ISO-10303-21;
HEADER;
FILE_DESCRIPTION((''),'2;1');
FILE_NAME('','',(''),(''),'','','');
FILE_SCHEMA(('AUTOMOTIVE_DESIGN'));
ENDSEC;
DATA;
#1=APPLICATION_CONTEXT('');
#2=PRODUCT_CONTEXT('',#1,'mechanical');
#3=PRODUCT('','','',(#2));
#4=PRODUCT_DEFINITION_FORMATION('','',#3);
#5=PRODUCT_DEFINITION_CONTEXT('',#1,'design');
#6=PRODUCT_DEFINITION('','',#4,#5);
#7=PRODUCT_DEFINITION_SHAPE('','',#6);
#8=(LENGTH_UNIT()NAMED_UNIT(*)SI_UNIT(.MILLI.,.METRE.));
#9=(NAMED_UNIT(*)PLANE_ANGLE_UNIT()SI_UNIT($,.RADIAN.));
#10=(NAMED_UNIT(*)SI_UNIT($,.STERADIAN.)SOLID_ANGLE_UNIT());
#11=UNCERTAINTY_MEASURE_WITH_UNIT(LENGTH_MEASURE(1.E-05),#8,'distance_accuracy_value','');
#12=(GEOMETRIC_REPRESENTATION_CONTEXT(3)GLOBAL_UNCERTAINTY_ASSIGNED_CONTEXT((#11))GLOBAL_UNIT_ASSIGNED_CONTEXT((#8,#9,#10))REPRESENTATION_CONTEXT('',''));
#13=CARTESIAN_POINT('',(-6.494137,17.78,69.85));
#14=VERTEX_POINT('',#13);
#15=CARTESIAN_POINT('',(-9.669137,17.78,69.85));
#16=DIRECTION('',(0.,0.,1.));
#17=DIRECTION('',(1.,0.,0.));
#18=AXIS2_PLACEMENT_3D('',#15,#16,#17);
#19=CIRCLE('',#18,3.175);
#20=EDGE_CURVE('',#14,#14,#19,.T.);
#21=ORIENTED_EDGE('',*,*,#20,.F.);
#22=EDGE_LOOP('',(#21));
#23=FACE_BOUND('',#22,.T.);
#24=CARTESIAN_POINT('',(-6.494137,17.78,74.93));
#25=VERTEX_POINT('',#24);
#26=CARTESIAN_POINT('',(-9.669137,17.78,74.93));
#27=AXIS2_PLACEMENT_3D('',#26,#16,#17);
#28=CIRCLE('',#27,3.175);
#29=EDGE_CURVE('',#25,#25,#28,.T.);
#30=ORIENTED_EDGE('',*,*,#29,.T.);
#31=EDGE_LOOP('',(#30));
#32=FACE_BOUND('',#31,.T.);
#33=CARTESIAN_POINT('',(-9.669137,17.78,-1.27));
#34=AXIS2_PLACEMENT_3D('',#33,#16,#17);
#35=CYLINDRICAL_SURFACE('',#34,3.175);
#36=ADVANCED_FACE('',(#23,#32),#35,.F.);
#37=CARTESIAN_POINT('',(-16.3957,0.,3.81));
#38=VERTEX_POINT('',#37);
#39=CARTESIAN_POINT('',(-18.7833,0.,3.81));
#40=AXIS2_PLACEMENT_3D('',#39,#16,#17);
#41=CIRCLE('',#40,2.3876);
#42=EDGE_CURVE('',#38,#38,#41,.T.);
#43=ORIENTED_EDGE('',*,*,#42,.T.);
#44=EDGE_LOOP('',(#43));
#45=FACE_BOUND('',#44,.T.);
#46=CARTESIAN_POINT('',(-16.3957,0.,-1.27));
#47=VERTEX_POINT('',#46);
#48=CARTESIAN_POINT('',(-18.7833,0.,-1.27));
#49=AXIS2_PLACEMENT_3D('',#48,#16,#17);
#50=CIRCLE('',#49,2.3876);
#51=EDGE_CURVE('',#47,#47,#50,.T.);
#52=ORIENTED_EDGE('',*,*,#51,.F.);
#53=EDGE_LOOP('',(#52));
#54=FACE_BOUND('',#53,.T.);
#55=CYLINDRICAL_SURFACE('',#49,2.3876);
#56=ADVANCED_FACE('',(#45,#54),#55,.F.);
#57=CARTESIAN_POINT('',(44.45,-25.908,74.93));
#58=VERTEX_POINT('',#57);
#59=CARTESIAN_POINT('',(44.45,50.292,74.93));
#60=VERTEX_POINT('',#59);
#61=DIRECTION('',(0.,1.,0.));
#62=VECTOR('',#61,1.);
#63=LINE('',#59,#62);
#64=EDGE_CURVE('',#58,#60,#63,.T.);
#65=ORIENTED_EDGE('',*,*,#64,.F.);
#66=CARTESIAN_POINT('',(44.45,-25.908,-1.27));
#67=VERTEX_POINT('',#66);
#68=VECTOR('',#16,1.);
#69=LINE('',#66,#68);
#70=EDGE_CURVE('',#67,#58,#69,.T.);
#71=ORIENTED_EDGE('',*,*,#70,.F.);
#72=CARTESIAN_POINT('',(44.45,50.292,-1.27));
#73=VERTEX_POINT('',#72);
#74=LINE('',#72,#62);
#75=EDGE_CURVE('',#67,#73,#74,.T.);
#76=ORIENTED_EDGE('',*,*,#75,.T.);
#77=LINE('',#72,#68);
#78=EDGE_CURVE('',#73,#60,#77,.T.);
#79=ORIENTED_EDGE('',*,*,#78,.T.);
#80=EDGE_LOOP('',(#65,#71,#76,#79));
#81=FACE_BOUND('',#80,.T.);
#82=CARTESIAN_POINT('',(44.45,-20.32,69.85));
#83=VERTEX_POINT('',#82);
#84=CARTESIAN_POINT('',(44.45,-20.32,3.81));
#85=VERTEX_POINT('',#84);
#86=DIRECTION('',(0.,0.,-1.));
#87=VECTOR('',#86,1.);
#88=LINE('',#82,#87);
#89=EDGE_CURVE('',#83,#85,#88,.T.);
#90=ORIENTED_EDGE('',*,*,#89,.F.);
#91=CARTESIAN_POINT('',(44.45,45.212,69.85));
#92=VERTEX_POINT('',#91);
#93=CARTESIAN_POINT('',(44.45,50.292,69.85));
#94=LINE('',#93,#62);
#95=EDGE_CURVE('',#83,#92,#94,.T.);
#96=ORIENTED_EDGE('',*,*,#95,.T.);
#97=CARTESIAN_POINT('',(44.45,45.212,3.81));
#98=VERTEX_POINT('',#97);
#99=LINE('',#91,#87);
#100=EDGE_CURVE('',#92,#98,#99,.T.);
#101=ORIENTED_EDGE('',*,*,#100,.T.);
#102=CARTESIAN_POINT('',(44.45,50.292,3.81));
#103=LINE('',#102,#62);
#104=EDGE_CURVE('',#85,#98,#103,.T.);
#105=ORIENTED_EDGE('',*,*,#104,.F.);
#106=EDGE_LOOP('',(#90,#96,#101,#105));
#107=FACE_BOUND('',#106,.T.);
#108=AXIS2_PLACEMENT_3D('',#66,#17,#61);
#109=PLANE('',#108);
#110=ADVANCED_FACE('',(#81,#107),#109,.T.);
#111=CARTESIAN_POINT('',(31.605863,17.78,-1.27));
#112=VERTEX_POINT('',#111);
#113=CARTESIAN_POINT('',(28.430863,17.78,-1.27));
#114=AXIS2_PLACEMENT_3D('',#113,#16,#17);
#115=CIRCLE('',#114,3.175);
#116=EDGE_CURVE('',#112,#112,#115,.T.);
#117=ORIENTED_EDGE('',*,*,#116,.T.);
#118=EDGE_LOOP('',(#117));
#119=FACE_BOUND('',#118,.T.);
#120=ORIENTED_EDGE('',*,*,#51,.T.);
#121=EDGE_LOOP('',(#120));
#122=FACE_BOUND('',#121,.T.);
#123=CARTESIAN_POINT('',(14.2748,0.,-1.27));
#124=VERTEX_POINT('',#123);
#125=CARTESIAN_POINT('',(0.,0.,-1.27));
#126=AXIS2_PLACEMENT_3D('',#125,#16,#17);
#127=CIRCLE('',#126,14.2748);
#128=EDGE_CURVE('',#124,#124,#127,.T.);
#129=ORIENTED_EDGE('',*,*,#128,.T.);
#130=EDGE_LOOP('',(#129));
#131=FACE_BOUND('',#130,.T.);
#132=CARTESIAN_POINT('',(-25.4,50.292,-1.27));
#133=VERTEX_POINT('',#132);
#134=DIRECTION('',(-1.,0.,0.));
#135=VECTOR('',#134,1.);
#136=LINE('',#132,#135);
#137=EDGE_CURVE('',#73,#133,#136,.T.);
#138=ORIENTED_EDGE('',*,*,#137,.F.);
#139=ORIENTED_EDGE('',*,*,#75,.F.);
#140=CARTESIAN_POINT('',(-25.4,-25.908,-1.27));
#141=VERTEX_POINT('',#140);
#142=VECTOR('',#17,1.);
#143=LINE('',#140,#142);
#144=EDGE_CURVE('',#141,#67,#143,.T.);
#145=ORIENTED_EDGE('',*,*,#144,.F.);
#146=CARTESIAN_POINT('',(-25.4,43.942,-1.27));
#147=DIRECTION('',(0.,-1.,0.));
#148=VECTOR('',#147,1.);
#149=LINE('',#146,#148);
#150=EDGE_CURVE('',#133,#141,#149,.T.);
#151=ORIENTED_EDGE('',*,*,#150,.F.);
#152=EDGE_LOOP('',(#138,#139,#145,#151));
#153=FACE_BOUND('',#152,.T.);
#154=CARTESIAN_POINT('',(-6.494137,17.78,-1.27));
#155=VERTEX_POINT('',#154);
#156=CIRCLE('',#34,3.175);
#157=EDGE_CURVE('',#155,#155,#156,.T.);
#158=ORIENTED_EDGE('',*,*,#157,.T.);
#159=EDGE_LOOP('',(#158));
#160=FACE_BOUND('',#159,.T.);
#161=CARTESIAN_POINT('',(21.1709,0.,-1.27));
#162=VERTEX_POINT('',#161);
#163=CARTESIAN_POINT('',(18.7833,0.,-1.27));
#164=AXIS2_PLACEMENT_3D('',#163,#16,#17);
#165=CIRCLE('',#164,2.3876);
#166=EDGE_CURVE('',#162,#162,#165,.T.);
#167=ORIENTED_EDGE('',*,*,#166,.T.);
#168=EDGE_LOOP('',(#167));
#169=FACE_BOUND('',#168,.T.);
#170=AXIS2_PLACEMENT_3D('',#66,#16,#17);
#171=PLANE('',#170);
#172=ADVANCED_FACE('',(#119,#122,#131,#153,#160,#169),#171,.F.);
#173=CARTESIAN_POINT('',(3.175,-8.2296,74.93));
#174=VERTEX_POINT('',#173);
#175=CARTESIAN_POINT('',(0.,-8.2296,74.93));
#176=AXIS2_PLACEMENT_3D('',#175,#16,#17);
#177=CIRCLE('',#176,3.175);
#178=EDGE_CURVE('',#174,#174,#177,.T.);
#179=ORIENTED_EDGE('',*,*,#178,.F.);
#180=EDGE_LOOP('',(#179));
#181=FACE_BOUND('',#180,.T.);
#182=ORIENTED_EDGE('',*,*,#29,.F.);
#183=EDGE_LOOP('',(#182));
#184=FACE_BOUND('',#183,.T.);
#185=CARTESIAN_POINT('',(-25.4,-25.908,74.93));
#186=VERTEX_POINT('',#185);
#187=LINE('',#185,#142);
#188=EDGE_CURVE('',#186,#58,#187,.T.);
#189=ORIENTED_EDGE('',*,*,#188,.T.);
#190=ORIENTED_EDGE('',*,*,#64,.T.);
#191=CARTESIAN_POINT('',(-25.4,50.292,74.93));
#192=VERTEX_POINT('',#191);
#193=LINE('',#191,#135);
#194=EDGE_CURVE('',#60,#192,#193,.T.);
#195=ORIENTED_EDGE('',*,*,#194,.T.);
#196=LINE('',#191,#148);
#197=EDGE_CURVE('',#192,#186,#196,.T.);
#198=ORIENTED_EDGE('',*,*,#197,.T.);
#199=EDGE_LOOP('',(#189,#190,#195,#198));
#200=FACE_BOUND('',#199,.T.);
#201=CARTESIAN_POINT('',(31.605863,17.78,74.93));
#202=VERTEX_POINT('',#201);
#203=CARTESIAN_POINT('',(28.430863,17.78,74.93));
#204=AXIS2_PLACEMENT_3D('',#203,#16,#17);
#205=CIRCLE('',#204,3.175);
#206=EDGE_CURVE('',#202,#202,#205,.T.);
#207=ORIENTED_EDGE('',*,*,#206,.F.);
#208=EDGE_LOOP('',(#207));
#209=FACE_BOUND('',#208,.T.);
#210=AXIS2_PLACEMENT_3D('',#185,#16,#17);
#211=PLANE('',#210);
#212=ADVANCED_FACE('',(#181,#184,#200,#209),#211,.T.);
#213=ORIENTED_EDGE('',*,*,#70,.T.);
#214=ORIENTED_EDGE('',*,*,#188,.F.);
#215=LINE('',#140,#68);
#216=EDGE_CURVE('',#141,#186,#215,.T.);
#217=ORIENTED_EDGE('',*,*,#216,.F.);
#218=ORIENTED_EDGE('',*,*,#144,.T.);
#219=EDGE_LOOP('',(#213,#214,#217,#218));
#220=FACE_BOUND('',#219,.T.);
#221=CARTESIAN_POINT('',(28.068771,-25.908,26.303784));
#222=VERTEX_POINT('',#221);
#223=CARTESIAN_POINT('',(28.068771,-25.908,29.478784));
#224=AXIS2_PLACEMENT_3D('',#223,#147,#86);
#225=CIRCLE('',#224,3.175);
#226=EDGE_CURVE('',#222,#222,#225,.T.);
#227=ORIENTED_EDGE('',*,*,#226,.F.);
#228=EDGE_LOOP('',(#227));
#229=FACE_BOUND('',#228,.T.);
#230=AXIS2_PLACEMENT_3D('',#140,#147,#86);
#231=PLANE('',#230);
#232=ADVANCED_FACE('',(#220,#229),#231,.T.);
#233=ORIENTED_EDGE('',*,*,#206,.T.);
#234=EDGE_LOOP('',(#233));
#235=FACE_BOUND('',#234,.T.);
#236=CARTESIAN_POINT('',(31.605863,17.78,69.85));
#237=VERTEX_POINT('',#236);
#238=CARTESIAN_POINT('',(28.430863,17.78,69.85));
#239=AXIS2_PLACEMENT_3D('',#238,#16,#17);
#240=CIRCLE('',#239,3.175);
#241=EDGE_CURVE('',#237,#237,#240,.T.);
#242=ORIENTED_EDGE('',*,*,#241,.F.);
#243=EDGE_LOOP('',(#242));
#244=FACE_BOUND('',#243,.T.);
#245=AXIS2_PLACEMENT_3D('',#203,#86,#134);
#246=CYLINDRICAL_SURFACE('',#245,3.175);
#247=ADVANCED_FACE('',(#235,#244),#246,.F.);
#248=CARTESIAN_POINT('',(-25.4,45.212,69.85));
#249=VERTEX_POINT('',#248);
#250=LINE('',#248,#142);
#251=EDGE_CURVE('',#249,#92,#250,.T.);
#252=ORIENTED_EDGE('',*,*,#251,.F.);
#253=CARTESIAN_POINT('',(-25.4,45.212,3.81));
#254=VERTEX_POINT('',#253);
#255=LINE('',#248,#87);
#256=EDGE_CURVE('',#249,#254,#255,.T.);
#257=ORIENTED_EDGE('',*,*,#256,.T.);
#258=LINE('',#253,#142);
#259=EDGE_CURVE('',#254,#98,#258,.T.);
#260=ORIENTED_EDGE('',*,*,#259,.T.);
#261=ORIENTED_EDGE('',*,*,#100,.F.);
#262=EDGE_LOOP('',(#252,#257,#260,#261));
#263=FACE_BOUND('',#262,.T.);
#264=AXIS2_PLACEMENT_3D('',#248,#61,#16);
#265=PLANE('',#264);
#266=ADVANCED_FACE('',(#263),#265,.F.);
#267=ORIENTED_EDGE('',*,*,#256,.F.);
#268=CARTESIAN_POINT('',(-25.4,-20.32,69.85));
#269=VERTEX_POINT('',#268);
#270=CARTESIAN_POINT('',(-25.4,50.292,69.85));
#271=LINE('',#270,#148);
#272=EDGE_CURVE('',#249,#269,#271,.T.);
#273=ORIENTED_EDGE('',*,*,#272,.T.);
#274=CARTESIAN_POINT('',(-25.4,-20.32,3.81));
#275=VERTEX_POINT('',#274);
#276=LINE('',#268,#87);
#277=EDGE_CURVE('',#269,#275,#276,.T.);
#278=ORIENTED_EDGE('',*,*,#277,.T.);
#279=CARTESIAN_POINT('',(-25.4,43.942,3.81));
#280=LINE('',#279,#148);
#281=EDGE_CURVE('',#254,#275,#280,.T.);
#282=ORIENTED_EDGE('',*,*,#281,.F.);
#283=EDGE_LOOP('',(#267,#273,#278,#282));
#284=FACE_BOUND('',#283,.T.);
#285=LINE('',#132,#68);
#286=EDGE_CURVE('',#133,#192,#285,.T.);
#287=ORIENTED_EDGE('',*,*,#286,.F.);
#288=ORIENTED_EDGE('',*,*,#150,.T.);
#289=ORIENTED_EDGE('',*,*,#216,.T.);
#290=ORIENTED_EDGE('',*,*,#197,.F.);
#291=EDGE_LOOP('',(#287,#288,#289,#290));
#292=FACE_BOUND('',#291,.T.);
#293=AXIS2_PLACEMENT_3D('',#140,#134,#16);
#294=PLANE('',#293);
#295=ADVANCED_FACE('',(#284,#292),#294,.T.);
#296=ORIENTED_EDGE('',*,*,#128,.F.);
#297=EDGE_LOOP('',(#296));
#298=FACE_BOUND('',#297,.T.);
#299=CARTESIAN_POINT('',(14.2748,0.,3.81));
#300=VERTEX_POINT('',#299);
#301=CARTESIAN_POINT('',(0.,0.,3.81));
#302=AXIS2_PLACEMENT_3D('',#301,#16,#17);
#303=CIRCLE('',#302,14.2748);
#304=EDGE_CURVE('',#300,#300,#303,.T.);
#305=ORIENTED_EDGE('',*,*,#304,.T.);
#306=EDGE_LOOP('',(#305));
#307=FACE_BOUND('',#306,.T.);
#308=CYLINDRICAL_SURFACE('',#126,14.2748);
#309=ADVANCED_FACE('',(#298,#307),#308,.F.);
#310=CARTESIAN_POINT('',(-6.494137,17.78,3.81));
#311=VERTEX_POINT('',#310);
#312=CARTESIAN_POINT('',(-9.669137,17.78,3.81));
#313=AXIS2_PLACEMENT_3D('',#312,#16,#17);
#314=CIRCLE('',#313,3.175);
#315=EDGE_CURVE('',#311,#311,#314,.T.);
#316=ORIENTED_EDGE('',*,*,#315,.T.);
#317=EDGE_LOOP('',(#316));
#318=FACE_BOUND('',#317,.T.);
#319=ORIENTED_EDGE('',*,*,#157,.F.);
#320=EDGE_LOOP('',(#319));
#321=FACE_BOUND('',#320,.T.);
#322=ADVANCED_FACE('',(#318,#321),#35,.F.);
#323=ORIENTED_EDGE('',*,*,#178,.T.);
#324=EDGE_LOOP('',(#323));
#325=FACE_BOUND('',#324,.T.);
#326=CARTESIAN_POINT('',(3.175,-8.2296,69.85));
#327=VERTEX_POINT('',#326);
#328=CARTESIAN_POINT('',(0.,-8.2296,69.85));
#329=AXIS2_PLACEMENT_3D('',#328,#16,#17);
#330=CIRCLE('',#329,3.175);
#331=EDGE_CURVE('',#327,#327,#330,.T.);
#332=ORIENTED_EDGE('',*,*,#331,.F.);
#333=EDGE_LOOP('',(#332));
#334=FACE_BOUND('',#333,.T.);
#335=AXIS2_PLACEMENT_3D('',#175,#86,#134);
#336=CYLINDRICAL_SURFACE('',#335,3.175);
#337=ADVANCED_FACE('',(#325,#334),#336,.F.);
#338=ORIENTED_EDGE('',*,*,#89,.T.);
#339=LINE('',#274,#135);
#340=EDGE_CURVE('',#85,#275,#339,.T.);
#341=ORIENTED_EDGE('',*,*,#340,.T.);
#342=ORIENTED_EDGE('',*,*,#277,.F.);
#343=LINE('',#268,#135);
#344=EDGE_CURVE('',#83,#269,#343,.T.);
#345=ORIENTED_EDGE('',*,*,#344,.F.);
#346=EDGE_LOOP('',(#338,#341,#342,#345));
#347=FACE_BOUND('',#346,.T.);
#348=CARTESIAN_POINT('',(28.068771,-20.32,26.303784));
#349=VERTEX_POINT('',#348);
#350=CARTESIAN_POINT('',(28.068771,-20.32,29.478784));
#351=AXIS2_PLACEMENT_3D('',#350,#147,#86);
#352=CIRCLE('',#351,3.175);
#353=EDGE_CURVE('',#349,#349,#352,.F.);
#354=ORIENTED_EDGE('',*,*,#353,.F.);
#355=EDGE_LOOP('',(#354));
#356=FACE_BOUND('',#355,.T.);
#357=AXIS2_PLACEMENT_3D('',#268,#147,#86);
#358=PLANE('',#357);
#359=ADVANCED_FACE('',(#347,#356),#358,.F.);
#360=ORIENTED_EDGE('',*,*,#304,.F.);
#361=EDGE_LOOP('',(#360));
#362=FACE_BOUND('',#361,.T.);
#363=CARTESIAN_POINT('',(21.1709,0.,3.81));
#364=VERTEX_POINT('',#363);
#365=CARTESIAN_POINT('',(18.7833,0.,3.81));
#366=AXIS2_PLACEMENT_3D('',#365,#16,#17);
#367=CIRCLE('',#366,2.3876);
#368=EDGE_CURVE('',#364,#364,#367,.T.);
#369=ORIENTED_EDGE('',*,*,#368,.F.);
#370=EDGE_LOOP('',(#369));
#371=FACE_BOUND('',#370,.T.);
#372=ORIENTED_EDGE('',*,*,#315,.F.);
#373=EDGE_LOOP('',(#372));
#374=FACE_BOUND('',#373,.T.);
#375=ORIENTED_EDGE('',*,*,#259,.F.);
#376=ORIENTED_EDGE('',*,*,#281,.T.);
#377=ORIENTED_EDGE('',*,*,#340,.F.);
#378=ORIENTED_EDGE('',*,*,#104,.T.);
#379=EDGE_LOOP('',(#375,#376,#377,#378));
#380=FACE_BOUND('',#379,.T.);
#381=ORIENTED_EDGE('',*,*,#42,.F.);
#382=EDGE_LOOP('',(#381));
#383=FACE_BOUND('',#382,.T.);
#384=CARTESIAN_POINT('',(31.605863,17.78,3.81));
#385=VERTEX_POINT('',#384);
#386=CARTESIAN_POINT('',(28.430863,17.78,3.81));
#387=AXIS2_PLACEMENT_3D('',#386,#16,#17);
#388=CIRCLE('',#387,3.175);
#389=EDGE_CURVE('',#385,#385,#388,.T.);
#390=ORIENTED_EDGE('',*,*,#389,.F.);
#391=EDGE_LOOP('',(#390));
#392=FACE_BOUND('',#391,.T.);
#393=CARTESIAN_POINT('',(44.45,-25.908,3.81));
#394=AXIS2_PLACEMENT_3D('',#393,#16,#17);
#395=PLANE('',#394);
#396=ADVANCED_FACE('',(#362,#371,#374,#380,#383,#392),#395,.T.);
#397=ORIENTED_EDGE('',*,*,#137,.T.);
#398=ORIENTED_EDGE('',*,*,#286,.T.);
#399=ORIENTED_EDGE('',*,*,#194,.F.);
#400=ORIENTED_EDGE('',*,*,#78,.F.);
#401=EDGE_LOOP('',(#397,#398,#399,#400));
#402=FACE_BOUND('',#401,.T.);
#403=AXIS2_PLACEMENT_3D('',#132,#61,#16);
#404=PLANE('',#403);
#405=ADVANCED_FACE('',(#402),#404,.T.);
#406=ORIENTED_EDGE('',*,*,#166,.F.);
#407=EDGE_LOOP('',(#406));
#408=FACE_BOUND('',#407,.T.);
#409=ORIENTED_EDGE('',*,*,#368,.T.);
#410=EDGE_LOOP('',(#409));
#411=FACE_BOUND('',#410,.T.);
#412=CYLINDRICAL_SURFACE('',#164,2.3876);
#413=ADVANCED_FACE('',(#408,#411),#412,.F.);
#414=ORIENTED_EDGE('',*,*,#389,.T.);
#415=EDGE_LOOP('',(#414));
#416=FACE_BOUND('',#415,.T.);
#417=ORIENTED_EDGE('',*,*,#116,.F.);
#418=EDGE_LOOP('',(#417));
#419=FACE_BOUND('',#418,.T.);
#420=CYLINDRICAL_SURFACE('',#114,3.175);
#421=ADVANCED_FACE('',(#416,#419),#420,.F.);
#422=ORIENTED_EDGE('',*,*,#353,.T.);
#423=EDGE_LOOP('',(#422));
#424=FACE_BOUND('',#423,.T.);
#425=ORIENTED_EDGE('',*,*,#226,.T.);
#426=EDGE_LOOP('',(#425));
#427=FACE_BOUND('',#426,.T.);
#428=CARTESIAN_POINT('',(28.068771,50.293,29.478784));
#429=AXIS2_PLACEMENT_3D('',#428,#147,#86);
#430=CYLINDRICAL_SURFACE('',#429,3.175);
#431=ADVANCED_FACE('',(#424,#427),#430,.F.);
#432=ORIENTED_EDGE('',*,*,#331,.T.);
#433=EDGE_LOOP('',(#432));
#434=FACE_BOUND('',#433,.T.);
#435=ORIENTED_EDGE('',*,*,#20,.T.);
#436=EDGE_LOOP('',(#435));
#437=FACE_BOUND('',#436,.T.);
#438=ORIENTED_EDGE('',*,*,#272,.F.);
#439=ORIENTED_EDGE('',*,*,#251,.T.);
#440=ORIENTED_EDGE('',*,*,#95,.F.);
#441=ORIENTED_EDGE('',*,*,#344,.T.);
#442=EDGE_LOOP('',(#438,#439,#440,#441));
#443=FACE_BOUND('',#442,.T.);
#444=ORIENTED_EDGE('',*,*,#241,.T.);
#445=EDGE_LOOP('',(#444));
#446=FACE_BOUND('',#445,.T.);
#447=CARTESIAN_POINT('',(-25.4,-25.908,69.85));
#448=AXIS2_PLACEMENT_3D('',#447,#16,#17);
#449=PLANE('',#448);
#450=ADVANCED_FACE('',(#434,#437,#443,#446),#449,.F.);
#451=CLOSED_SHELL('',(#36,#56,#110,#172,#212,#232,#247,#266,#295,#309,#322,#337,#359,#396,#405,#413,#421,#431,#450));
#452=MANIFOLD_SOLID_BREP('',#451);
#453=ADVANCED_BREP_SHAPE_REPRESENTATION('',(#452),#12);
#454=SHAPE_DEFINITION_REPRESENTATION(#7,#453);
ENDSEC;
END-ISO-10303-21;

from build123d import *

# Parameters (mm, degrees)
BOSS_EXTRUDE1_DEPTH      = 3.81
BOSS_EXTRUDE1_DEPTH_BACK = 1.27
SKETCH1_R                = 14.2748
SKETCH1_R_2              = 2.3876
SKETCH1_R_3              = 3.175
SKETCH2_W                = 69.85
SKETCH2_H                = 5.08
BOSS_EXTRUDE2_DEPTH      = 66.04
SKETCH3_W                = 69.85
SKETCH3_H                = 5.588
BOSS_EXTRUDE3_DEPTH      = 66.04
SKETCH4_W                = 69.85
SKETCH4_H                = 76.2
SKETCH4_R                = 3.175
BOSS_EXTRUDE4_DEPTH      = 5.08
CUT_EXTRUDE1_REACH       = 117.744
SKETCH6_R                = 3.174999999
SKETCH8_R                = 3.175
CUT_EXTRUDE2_DEPTH       = 102.545692986


with BuildPart() as part:
    # Sketch1 → Boss-Extrude1 (new, two sides: drawn at the far end of the back side and taken through both)
    with BuildSketch(Plane.XY.offset(-BOSS_EXTRUDE1_DEPTH_BACK)):
        Polygon((-25.4, 43.942), (-25.4, 50.292), (44.45, 50.292), (44.45, 24.892), (44.45, -25.908), (-25.4, -25.908), align=None)
        Circle(SKETCH1_R, mode=Mode.SUBTRACT)
        with Locations((18.7833, 0)):
            Circle(SKETCH1_R_2, mode=Mode.SUBTRACT)
        with Locations((-18.7833, 0)):
            Circle(SKETCH1_R_2, mode=Mode.SUBTRACT)
        with Locations((28.430863033, 17.78)):
            Circle(SKETCH1_R_3, mode=Mode.SUBTRACT)
    extrude(amount=BOSS_EXTRUDE1_DEPTH + BOSS_EXTRUDE1_DEPTH_BACK)

    # Sketch2 → Boss-Extrude2 (add)
    with BuildSketch(Plane.XY.offset(3.81)):
        with Locations((9.525, 47.752)):
            Rectangle(SKETCH2_W, SKETCH2_H)
    extrude(amount=BOSS_EXTRUDE2_DEPTH)

    # Sketch3 → Boss-Extrude3 (add)
    with BuildSketch(Plane.XY.offset(3.81)):
        with Locations((9.525, -23.114)):
            Rectangle(SKETCH3_W, SKETCH3_H)
    extrude(amount=BOSS_EXTRUDE3_DEPTH)

    # Sketch4 → Boss-Extrude4 (add)
    with BuildSketch(Plane.XY.offset(69.85)):
        with Locations((9.525, 12.192)):
            Rectangle(SKETCH4_W, SKETCH4_H)
        with Locations((28.430863033, 17.78)):
            Circle(SKETCH4_R, mode=Mode.SUBTRACT)
        with Locations((0, -8.2296)):
            Circle(SKETCH4_R, mode=Mode.SUBTRACT)
    extrude(amount=BOSS_EXTRUDE4_DEPTH)

    # Sketch6 → Cut-Extrude1 (cut, up to next)
    with BuildSketch(Plane.XZ.offset(25.908), mode=Mode.PRIVATE) as cut_extrude1_sk1:
        with Locations(Location((28.068770575, 29.478784222, 0), (0, 0, 270))):
            Circle(SKETCH6_R)
    cut_extrude1_tool1 = extrude(cut_extrude1_sk1.sketch, amount=-CUT_EXTRUDE1_REACH, mode=Mode.PRIVATE) & part.part
    add(cut_extrude1_tool1.solids().sort_by_distance((28.068771, -25.908, 29.478784))[0], mode=Mode.SUBTRACT)

    # Sketch8 → Cut-Extrude2 (cut, through all)
    with BuildSketch(Plane.XY.offset(74.93)):
        with Locations((-9.669136967, 17.78)):
            Circle(SKETCH8_R)
    extrude(amount=-CUT_EXTRUDE2_DEPTH, mode=Mode.SUBTRACT)


solid = part.part
